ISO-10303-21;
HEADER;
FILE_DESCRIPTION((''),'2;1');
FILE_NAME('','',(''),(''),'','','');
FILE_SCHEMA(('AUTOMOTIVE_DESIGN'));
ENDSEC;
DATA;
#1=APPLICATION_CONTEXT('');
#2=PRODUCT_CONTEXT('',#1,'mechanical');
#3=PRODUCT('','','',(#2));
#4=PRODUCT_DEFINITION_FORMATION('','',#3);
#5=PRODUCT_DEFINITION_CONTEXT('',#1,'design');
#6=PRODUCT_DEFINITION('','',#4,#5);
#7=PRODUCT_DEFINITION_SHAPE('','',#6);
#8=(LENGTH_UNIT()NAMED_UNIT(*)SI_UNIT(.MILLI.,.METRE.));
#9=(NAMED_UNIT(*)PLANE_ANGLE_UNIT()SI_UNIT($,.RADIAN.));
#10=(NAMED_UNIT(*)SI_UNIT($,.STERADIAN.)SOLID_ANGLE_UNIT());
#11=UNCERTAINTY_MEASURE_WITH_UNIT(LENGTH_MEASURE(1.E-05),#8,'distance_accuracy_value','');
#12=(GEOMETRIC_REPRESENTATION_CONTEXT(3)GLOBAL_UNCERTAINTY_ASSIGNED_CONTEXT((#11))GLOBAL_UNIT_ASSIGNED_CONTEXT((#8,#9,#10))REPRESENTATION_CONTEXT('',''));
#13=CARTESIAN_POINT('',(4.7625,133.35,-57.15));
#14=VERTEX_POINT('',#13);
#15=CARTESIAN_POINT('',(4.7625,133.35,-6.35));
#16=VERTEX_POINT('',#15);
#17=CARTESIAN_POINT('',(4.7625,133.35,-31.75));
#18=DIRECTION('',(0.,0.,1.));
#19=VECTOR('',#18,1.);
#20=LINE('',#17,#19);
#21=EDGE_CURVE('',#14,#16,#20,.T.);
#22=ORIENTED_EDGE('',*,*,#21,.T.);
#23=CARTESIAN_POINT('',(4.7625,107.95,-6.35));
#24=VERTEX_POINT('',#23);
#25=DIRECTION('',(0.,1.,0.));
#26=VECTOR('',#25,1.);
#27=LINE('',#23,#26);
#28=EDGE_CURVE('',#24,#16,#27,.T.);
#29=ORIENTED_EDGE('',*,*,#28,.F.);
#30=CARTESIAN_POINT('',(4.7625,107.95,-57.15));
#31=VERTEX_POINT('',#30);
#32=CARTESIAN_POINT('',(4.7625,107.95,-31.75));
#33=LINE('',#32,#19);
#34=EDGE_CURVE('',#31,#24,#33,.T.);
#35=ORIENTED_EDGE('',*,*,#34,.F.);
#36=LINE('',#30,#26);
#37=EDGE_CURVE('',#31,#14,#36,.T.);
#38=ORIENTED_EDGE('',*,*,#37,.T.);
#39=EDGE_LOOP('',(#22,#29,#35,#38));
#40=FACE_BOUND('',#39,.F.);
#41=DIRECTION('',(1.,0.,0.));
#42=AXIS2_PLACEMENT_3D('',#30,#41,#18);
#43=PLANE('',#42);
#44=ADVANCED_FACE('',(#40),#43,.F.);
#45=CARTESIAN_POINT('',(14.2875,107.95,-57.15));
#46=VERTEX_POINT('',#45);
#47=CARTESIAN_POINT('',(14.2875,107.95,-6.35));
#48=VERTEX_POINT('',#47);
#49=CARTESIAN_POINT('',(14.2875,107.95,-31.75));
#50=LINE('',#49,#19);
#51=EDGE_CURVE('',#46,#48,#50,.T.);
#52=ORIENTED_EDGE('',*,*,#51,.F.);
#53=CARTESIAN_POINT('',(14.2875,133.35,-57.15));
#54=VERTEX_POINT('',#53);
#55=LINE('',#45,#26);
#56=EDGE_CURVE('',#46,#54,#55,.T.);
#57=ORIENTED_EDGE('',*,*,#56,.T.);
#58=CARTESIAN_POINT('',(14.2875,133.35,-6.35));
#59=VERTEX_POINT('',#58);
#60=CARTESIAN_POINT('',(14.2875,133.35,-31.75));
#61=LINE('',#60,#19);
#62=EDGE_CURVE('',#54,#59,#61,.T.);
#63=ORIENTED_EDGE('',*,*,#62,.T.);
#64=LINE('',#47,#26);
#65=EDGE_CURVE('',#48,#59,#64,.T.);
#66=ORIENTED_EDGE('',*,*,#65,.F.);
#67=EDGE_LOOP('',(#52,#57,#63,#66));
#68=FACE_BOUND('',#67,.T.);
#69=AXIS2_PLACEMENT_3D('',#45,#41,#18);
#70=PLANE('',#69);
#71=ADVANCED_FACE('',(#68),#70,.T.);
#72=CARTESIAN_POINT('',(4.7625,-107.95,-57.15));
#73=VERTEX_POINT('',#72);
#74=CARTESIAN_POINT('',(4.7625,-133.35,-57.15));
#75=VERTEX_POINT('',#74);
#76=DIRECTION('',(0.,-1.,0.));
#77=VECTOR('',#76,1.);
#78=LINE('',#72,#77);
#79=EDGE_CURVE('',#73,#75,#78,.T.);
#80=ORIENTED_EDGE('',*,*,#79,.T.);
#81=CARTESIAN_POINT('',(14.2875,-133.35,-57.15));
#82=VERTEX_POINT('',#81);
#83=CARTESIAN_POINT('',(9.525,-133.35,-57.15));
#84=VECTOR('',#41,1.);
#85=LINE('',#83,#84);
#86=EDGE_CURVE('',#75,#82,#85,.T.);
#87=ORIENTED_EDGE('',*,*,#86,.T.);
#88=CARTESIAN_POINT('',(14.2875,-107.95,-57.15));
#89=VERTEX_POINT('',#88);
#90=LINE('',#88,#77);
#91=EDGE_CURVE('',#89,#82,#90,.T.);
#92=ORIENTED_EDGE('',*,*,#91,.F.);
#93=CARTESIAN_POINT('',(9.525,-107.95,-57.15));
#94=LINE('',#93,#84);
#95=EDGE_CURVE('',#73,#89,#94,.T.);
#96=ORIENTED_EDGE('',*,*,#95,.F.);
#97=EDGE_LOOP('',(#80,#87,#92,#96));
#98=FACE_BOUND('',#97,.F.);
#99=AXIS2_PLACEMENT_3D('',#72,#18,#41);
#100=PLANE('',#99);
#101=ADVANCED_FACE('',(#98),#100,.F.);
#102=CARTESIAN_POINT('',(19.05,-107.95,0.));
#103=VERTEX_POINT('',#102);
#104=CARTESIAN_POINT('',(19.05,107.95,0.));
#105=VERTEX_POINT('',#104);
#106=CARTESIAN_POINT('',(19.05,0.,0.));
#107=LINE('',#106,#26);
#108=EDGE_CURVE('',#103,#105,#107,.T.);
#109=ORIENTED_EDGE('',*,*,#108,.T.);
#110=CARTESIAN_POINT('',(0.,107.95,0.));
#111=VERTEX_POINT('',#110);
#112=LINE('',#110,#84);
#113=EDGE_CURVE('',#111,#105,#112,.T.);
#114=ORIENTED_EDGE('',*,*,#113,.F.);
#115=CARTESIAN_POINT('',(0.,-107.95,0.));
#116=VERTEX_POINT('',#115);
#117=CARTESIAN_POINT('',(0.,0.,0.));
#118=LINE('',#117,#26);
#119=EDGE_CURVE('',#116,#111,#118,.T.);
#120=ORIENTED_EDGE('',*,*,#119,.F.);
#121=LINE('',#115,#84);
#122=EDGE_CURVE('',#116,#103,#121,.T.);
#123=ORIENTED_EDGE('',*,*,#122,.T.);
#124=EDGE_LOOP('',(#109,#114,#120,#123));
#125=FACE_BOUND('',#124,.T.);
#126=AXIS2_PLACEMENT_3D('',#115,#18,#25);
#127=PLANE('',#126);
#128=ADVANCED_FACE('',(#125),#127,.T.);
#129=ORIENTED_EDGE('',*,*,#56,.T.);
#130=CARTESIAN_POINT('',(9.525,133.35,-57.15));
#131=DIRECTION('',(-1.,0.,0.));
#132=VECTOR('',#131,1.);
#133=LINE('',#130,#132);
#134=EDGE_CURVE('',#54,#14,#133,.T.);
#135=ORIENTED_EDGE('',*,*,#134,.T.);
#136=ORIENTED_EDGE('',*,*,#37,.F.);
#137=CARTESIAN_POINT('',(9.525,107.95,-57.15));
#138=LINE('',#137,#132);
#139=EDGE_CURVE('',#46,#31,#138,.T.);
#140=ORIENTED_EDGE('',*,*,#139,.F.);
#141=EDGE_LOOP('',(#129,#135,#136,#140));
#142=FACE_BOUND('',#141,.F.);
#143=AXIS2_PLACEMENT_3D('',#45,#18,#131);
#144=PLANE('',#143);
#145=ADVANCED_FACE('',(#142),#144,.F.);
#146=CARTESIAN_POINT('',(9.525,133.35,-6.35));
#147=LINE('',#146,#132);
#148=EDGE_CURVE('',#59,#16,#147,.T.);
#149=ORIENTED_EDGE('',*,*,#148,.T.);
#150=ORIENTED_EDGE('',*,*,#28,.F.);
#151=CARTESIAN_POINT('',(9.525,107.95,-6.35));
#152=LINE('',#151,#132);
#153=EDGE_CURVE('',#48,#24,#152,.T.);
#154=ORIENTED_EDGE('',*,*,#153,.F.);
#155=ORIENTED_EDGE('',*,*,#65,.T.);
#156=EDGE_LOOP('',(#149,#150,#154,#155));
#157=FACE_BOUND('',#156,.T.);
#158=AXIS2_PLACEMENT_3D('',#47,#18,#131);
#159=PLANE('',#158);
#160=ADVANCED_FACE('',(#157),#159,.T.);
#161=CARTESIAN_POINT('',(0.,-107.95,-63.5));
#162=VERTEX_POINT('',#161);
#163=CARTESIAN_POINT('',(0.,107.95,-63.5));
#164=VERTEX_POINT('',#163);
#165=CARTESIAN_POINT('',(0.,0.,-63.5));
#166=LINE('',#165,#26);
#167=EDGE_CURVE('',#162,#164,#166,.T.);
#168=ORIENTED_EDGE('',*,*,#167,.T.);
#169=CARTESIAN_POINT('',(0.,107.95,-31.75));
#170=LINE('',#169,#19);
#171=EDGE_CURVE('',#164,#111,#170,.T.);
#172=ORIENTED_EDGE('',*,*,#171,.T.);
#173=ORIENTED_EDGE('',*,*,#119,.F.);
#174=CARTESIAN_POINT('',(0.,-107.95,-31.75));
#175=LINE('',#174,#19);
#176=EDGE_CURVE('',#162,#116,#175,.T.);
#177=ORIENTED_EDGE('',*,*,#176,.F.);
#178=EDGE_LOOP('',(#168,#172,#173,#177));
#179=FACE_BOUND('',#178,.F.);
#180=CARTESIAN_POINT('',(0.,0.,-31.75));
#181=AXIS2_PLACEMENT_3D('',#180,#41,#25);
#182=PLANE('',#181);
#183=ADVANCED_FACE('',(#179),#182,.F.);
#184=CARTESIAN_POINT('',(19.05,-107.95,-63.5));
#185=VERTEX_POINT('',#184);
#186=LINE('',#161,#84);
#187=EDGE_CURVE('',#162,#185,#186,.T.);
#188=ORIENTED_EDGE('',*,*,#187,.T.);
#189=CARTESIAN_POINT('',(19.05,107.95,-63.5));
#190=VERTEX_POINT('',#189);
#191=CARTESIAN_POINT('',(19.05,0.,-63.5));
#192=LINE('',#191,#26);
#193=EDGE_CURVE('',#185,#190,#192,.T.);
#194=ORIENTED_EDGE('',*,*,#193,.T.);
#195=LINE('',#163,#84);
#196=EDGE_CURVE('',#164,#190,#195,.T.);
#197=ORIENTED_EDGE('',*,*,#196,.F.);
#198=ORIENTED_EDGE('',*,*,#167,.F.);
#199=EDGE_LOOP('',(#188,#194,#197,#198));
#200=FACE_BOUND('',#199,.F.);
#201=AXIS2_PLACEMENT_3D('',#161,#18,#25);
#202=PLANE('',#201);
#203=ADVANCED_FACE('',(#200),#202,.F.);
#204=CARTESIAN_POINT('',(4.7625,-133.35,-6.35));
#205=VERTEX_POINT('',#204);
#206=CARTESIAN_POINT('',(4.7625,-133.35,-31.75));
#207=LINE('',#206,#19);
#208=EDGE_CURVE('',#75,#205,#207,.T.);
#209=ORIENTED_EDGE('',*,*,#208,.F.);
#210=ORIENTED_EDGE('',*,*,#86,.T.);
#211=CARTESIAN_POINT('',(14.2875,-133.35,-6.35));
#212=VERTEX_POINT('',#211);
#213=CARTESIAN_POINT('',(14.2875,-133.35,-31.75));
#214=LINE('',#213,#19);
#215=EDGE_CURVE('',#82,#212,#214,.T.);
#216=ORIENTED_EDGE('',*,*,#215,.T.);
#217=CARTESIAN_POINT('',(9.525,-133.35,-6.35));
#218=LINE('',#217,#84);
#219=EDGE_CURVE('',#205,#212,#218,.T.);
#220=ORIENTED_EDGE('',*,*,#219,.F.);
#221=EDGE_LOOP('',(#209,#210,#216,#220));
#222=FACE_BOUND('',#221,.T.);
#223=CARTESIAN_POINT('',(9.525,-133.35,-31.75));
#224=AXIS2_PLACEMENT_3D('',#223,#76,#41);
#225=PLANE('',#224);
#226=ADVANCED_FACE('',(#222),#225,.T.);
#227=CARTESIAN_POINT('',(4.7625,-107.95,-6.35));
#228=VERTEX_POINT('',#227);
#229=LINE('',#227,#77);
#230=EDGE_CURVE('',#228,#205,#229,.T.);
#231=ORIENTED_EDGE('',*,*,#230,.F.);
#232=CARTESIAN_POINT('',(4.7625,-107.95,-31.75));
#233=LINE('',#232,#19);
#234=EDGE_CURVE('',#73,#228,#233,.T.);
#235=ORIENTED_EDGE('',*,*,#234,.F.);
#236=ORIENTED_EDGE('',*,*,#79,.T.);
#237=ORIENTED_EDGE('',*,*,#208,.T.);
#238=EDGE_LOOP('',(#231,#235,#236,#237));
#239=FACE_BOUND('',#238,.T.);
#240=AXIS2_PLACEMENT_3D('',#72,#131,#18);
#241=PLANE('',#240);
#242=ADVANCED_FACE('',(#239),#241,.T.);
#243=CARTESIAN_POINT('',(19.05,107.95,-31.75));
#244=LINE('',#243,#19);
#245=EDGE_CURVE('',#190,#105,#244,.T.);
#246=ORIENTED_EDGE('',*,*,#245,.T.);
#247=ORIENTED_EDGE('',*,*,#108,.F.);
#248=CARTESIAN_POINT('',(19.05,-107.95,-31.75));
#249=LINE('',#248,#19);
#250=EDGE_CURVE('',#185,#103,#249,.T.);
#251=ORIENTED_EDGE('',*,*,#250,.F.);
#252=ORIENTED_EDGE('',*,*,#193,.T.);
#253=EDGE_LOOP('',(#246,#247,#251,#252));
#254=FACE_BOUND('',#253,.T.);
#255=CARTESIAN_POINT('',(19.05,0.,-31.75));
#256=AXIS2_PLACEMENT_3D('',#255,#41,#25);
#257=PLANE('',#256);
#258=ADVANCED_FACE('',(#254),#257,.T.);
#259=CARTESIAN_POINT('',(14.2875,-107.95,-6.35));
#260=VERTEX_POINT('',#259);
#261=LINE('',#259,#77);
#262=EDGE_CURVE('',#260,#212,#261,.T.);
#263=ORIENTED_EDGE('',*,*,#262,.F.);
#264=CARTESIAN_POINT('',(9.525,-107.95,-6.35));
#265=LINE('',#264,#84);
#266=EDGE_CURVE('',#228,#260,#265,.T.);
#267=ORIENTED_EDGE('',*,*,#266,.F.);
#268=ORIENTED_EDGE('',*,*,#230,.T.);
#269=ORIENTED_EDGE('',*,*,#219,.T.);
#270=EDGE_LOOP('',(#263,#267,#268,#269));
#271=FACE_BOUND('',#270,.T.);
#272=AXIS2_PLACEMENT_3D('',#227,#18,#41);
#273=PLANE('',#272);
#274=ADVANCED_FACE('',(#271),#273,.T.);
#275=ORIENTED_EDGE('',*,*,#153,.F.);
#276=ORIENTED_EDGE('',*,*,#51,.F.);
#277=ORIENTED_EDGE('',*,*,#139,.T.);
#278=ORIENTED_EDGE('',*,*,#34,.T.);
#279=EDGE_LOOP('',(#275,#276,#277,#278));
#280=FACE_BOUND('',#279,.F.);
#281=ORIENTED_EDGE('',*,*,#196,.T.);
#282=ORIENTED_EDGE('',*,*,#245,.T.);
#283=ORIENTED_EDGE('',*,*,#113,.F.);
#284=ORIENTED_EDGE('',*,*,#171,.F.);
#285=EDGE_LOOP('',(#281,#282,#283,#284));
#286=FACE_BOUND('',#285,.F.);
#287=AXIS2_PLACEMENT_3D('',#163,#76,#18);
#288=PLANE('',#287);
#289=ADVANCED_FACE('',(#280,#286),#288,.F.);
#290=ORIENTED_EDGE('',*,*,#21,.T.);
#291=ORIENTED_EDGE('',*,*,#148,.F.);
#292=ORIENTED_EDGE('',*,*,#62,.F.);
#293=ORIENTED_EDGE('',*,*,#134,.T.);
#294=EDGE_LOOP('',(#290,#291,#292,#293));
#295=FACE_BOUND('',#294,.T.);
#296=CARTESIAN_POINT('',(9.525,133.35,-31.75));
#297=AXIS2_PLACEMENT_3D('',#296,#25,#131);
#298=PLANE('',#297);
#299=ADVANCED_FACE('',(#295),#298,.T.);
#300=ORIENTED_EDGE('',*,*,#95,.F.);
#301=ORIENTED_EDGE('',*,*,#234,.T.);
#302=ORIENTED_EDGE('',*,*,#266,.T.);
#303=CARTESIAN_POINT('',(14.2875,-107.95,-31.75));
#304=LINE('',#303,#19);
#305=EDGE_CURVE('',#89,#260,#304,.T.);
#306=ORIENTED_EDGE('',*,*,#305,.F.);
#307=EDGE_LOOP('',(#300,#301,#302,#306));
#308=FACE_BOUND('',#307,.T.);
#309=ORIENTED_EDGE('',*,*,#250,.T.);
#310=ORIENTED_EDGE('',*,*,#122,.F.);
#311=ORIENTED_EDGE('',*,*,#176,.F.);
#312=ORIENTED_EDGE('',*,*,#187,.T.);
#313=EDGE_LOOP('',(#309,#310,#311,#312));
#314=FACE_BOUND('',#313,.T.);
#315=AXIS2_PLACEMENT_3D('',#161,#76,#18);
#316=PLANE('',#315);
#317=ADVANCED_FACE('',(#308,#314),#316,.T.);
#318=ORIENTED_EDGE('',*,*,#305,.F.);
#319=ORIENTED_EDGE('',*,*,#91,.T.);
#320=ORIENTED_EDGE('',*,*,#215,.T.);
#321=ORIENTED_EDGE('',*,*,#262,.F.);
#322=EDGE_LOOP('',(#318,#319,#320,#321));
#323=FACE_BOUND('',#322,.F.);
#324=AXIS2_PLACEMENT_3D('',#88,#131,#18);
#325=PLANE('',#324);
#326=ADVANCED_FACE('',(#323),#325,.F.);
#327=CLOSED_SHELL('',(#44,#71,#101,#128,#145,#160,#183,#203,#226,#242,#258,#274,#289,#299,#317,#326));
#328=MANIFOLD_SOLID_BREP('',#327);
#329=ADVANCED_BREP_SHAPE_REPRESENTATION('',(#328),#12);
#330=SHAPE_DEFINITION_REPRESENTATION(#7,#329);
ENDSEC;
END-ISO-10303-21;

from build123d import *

# Parameters (mm, degrees)
F0_W     = 215.9
F0_H     = 63.5
F1_DEPTH = 19.05
F2_W     = 9.525
F2_H     = 50.8
F3_DEPTH = 25.4
F4_W     = 9.525
F4_H     = 50.8
F5_DEPTH = 25.4


with BuildPart() as f1:
    # F0 (on Right) → F1 (new body)
    with BuildSketch(Plane.YZ):
        with Locations((0, -31.75)):
            Rectangle(F0_W, F0_H)
    extrude(amount=F1_DEPTH)

    # F2 (on face) → F3 (join)
    with BuildSketch(Plane(origin=(0, 107.95, 0), x_dir=(-1, 0, 0), z_dir=(0, 1, 0))):
        with Locations((-9.525, -31.75)):
            Rectangle(F2_W, F2_H)
    extrude(amount=F3_DEPTH)

    # F4 (on face) → F5 (join)
    with BuildSketch(Plane.XZ.offset(107.95)):
        with Locations((9.525, -31.75)):
            Rectangle(F4_W, F4_H)
    extrude(amount=F5_DEPTH)


solid = f1.part
